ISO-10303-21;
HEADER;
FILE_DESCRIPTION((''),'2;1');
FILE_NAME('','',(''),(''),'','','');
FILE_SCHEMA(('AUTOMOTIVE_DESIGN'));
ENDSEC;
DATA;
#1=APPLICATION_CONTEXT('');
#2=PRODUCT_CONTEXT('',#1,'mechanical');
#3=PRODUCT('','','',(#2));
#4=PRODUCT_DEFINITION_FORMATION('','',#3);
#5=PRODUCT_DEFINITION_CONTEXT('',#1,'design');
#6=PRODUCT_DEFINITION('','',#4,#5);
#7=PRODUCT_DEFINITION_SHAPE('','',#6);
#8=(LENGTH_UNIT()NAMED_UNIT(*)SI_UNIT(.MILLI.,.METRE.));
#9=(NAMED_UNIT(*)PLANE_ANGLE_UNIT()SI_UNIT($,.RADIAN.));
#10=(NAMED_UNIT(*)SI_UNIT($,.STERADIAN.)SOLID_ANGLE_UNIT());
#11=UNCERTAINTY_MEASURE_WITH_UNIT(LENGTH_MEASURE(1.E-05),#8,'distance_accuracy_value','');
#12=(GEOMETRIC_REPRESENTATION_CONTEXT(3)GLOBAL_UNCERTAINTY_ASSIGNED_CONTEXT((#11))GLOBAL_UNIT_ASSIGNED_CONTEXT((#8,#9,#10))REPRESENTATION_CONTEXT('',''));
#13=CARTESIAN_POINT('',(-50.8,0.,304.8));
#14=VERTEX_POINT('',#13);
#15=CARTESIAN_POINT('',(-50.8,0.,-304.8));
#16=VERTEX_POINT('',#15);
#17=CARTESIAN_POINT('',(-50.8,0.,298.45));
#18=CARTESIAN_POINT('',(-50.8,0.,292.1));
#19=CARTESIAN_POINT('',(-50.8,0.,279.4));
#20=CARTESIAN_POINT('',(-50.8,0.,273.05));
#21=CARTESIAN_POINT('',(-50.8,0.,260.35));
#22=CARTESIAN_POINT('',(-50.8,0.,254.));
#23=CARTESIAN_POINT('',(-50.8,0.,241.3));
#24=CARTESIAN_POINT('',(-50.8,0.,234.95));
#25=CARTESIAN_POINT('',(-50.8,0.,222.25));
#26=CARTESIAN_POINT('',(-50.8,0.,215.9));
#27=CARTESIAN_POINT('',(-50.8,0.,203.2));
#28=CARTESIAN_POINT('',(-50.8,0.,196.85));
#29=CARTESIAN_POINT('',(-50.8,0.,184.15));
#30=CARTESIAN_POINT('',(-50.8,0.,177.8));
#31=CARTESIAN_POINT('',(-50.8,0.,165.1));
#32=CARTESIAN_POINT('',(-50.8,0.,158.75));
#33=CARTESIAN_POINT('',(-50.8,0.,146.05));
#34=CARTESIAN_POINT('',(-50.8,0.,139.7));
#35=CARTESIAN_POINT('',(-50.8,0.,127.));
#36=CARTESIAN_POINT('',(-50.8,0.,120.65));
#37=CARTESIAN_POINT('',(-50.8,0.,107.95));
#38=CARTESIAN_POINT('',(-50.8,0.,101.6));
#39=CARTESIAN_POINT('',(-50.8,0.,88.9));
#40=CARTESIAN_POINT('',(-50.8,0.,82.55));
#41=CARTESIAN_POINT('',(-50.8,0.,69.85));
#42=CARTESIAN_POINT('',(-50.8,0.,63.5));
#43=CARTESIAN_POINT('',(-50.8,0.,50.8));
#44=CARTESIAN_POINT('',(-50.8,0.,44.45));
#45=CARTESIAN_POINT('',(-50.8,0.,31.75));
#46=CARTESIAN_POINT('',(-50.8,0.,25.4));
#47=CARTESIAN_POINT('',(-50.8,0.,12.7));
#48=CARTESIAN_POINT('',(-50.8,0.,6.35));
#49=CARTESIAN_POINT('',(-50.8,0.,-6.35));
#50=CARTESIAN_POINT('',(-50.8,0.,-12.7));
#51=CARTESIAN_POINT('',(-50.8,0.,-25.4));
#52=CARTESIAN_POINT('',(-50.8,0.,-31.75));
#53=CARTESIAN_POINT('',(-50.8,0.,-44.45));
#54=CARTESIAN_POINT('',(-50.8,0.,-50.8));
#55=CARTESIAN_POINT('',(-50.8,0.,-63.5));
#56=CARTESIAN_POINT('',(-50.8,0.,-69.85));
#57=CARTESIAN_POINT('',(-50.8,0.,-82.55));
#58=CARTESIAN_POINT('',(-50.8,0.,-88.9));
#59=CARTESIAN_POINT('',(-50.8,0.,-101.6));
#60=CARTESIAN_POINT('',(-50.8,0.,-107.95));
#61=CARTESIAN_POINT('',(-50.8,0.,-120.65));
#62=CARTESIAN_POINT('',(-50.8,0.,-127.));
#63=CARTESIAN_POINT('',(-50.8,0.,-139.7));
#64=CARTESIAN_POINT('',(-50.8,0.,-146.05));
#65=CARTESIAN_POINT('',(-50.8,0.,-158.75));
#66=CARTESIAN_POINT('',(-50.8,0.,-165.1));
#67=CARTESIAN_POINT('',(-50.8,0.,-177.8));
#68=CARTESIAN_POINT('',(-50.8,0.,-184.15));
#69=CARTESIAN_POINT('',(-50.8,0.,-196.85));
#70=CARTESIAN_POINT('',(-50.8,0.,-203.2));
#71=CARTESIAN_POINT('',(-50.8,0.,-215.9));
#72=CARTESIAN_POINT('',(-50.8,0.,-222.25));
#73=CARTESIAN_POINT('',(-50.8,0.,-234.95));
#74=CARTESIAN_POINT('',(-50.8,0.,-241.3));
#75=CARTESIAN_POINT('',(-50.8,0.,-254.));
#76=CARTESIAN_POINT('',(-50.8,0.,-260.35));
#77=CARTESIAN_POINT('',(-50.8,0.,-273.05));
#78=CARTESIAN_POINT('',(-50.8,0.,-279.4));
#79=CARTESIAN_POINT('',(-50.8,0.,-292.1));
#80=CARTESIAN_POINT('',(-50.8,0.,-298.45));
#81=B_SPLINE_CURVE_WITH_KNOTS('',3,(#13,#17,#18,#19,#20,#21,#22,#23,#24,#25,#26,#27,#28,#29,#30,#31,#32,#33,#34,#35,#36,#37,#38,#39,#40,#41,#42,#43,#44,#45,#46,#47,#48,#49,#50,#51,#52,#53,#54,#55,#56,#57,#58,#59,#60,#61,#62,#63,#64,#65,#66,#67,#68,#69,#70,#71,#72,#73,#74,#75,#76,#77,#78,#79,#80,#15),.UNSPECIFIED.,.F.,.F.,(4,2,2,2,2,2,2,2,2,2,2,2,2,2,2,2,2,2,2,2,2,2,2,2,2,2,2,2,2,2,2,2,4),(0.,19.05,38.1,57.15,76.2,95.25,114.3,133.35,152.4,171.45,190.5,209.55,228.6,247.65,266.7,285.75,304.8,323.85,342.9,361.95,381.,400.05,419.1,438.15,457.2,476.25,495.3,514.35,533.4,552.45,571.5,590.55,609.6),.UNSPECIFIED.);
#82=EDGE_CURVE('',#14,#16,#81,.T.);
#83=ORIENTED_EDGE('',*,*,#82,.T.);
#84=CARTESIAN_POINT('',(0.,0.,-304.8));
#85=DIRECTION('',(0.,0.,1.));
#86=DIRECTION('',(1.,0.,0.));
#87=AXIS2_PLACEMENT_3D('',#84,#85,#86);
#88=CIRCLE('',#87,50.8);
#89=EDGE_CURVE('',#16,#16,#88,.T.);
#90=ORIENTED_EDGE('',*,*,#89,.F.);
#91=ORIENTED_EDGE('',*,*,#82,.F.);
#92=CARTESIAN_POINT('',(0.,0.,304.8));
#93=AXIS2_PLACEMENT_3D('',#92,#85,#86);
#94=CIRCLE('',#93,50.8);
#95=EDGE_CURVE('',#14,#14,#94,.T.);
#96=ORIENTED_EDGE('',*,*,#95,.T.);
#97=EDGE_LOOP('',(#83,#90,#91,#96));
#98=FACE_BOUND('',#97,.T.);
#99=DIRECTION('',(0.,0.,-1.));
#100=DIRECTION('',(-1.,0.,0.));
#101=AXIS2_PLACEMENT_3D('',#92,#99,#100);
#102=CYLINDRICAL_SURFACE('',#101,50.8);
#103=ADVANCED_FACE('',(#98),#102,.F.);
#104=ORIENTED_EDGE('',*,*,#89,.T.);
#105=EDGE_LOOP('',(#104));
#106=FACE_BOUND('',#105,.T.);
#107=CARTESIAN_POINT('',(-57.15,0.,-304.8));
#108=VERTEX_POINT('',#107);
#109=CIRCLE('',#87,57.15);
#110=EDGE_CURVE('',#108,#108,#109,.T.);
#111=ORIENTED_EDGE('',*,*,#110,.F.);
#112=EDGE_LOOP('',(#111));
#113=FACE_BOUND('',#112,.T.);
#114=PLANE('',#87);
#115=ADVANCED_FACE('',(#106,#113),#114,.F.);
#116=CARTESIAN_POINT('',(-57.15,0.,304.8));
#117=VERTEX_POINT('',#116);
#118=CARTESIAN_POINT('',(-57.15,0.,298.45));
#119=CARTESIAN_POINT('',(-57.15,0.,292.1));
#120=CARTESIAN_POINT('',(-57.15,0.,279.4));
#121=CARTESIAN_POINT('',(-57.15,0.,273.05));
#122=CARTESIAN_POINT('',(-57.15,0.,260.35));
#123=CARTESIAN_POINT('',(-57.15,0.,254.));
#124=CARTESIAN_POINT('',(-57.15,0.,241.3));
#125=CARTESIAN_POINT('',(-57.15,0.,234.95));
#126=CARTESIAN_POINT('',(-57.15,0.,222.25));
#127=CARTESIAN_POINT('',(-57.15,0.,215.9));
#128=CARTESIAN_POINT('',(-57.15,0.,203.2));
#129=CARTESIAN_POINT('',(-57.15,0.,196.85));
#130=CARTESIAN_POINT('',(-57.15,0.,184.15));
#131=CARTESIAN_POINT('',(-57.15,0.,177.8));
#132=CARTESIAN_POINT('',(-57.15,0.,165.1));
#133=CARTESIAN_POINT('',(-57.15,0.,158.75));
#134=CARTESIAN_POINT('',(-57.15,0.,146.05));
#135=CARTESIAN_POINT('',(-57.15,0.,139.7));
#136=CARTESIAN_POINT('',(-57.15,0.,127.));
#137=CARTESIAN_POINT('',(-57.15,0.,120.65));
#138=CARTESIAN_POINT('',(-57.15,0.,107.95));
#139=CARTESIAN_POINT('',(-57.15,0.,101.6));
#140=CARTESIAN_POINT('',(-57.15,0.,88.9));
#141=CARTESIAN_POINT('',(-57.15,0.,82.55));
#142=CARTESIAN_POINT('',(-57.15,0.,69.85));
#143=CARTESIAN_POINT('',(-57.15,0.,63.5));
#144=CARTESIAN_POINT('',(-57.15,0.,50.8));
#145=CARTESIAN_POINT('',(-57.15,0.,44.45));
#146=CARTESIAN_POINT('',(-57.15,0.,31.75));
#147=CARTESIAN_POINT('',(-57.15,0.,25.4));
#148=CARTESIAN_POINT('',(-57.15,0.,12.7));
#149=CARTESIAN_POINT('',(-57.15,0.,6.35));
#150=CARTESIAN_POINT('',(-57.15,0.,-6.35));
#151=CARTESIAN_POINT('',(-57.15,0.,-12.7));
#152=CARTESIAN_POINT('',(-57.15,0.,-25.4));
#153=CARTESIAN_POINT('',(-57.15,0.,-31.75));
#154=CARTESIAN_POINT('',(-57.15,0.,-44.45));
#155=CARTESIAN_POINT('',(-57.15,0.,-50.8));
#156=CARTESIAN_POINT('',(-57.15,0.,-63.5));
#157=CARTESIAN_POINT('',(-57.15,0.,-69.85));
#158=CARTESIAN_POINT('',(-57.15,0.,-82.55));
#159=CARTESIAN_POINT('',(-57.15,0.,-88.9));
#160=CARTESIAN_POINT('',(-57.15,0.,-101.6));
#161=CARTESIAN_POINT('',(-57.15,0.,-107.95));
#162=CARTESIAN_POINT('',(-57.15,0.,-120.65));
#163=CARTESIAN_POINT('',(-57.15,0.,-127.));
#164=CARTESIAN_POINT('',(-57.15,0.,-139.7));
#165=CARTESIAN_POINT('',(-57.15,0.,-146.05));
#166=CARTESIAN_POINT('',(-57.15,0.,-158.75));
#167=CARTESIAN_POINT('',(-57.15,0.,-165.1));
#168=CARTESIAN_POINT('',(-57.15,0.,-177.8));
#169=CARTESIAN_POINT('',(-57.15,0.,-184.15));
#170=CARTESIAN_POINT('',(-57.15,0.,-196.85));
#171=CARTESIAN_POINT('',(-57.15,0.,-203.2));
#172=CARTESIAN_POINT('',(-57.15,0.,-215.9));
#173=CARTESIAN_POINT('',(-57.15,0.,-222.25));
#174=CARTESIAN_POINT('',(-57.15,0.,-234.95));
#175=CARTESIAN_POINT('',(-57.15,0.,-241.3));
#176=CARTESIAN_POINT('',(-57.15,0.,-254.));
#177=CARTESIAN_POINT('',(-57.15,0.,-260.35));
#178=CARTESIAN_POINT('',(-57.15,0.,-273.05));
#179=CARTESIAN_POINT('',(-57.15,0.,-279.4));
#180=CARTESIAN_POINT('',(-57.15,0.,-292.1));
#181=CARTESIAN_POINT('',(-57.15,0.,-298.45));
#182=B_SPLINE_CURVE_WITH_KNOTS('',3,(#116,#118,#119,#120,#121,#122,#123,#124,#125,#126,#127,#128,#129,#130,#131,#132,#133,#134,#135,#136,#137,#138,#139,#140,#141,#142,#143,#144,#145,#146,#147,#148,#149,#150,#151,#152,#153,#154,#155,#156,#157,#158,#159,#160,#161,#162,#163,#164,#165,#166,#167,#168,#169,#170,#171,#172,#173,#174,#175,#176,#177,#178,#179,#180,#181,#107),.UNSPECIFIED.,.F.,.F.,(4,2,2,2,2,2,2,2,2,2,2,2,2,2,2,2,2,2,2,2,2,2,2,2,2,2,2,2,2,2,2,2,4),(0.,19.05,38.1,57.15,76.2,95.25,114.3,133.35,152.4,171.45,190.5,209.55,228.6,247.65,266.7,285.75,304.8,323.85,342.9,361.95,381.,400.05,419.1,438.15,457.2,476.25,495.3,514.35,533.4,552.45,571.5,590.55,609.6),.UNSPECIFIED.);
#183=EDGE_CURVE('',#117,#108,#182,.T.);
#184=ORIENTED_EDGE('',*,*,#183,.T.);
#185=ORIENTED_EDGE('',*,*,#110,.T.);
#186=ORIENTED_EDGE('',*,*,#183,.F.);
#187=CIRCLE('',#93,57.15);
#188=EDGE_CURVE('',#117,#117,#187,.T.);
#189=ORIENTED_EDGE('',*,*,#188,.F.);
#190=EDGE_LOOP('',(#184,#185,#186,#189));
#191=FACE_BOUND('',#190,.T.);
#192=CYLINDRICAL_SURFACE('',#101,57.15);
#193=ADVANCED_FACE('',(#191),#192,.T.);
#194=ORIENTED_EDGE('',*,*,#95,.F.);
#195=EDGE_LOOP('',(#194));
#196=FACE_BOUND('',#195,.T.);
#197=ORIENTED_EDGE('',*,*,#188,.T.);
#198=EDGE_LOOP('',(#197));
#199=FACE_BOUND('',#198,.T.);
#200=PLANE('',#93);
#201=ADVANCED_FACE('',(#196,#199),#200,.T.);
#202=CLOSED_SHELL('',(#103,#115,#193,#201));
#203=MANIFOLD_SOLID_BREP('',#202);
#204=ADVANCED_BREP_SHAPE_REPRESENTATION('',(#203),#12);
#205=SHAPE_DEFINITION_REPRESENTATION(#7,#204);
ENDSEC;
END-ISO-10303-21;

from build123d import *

# Parameters (mm, degrees)
SKETCH3_R           = 57.15
SKETCH3_R_2         = 50.8
BOSS_EXTRUDE1_DEPTH = 304.8


with BuildPart() as part:
    # Sketch3 → Boss-Extrude1 (new, symmetric)
    with BuildSketch(Plane.XY):
        with Locations(Location((0, 0, 0), (0, 0, 180))):
            Circle(SKETCH3_R)
        with Locations(Location((0, 0, 0), (0, 0, 180))):
            Circle(SKETCH3_R_2, mode=Mode.SUBTRACT)
    extrude(amount=BOSS_EXTRUDE1_DEPTH, both=True)


solid = part.part
